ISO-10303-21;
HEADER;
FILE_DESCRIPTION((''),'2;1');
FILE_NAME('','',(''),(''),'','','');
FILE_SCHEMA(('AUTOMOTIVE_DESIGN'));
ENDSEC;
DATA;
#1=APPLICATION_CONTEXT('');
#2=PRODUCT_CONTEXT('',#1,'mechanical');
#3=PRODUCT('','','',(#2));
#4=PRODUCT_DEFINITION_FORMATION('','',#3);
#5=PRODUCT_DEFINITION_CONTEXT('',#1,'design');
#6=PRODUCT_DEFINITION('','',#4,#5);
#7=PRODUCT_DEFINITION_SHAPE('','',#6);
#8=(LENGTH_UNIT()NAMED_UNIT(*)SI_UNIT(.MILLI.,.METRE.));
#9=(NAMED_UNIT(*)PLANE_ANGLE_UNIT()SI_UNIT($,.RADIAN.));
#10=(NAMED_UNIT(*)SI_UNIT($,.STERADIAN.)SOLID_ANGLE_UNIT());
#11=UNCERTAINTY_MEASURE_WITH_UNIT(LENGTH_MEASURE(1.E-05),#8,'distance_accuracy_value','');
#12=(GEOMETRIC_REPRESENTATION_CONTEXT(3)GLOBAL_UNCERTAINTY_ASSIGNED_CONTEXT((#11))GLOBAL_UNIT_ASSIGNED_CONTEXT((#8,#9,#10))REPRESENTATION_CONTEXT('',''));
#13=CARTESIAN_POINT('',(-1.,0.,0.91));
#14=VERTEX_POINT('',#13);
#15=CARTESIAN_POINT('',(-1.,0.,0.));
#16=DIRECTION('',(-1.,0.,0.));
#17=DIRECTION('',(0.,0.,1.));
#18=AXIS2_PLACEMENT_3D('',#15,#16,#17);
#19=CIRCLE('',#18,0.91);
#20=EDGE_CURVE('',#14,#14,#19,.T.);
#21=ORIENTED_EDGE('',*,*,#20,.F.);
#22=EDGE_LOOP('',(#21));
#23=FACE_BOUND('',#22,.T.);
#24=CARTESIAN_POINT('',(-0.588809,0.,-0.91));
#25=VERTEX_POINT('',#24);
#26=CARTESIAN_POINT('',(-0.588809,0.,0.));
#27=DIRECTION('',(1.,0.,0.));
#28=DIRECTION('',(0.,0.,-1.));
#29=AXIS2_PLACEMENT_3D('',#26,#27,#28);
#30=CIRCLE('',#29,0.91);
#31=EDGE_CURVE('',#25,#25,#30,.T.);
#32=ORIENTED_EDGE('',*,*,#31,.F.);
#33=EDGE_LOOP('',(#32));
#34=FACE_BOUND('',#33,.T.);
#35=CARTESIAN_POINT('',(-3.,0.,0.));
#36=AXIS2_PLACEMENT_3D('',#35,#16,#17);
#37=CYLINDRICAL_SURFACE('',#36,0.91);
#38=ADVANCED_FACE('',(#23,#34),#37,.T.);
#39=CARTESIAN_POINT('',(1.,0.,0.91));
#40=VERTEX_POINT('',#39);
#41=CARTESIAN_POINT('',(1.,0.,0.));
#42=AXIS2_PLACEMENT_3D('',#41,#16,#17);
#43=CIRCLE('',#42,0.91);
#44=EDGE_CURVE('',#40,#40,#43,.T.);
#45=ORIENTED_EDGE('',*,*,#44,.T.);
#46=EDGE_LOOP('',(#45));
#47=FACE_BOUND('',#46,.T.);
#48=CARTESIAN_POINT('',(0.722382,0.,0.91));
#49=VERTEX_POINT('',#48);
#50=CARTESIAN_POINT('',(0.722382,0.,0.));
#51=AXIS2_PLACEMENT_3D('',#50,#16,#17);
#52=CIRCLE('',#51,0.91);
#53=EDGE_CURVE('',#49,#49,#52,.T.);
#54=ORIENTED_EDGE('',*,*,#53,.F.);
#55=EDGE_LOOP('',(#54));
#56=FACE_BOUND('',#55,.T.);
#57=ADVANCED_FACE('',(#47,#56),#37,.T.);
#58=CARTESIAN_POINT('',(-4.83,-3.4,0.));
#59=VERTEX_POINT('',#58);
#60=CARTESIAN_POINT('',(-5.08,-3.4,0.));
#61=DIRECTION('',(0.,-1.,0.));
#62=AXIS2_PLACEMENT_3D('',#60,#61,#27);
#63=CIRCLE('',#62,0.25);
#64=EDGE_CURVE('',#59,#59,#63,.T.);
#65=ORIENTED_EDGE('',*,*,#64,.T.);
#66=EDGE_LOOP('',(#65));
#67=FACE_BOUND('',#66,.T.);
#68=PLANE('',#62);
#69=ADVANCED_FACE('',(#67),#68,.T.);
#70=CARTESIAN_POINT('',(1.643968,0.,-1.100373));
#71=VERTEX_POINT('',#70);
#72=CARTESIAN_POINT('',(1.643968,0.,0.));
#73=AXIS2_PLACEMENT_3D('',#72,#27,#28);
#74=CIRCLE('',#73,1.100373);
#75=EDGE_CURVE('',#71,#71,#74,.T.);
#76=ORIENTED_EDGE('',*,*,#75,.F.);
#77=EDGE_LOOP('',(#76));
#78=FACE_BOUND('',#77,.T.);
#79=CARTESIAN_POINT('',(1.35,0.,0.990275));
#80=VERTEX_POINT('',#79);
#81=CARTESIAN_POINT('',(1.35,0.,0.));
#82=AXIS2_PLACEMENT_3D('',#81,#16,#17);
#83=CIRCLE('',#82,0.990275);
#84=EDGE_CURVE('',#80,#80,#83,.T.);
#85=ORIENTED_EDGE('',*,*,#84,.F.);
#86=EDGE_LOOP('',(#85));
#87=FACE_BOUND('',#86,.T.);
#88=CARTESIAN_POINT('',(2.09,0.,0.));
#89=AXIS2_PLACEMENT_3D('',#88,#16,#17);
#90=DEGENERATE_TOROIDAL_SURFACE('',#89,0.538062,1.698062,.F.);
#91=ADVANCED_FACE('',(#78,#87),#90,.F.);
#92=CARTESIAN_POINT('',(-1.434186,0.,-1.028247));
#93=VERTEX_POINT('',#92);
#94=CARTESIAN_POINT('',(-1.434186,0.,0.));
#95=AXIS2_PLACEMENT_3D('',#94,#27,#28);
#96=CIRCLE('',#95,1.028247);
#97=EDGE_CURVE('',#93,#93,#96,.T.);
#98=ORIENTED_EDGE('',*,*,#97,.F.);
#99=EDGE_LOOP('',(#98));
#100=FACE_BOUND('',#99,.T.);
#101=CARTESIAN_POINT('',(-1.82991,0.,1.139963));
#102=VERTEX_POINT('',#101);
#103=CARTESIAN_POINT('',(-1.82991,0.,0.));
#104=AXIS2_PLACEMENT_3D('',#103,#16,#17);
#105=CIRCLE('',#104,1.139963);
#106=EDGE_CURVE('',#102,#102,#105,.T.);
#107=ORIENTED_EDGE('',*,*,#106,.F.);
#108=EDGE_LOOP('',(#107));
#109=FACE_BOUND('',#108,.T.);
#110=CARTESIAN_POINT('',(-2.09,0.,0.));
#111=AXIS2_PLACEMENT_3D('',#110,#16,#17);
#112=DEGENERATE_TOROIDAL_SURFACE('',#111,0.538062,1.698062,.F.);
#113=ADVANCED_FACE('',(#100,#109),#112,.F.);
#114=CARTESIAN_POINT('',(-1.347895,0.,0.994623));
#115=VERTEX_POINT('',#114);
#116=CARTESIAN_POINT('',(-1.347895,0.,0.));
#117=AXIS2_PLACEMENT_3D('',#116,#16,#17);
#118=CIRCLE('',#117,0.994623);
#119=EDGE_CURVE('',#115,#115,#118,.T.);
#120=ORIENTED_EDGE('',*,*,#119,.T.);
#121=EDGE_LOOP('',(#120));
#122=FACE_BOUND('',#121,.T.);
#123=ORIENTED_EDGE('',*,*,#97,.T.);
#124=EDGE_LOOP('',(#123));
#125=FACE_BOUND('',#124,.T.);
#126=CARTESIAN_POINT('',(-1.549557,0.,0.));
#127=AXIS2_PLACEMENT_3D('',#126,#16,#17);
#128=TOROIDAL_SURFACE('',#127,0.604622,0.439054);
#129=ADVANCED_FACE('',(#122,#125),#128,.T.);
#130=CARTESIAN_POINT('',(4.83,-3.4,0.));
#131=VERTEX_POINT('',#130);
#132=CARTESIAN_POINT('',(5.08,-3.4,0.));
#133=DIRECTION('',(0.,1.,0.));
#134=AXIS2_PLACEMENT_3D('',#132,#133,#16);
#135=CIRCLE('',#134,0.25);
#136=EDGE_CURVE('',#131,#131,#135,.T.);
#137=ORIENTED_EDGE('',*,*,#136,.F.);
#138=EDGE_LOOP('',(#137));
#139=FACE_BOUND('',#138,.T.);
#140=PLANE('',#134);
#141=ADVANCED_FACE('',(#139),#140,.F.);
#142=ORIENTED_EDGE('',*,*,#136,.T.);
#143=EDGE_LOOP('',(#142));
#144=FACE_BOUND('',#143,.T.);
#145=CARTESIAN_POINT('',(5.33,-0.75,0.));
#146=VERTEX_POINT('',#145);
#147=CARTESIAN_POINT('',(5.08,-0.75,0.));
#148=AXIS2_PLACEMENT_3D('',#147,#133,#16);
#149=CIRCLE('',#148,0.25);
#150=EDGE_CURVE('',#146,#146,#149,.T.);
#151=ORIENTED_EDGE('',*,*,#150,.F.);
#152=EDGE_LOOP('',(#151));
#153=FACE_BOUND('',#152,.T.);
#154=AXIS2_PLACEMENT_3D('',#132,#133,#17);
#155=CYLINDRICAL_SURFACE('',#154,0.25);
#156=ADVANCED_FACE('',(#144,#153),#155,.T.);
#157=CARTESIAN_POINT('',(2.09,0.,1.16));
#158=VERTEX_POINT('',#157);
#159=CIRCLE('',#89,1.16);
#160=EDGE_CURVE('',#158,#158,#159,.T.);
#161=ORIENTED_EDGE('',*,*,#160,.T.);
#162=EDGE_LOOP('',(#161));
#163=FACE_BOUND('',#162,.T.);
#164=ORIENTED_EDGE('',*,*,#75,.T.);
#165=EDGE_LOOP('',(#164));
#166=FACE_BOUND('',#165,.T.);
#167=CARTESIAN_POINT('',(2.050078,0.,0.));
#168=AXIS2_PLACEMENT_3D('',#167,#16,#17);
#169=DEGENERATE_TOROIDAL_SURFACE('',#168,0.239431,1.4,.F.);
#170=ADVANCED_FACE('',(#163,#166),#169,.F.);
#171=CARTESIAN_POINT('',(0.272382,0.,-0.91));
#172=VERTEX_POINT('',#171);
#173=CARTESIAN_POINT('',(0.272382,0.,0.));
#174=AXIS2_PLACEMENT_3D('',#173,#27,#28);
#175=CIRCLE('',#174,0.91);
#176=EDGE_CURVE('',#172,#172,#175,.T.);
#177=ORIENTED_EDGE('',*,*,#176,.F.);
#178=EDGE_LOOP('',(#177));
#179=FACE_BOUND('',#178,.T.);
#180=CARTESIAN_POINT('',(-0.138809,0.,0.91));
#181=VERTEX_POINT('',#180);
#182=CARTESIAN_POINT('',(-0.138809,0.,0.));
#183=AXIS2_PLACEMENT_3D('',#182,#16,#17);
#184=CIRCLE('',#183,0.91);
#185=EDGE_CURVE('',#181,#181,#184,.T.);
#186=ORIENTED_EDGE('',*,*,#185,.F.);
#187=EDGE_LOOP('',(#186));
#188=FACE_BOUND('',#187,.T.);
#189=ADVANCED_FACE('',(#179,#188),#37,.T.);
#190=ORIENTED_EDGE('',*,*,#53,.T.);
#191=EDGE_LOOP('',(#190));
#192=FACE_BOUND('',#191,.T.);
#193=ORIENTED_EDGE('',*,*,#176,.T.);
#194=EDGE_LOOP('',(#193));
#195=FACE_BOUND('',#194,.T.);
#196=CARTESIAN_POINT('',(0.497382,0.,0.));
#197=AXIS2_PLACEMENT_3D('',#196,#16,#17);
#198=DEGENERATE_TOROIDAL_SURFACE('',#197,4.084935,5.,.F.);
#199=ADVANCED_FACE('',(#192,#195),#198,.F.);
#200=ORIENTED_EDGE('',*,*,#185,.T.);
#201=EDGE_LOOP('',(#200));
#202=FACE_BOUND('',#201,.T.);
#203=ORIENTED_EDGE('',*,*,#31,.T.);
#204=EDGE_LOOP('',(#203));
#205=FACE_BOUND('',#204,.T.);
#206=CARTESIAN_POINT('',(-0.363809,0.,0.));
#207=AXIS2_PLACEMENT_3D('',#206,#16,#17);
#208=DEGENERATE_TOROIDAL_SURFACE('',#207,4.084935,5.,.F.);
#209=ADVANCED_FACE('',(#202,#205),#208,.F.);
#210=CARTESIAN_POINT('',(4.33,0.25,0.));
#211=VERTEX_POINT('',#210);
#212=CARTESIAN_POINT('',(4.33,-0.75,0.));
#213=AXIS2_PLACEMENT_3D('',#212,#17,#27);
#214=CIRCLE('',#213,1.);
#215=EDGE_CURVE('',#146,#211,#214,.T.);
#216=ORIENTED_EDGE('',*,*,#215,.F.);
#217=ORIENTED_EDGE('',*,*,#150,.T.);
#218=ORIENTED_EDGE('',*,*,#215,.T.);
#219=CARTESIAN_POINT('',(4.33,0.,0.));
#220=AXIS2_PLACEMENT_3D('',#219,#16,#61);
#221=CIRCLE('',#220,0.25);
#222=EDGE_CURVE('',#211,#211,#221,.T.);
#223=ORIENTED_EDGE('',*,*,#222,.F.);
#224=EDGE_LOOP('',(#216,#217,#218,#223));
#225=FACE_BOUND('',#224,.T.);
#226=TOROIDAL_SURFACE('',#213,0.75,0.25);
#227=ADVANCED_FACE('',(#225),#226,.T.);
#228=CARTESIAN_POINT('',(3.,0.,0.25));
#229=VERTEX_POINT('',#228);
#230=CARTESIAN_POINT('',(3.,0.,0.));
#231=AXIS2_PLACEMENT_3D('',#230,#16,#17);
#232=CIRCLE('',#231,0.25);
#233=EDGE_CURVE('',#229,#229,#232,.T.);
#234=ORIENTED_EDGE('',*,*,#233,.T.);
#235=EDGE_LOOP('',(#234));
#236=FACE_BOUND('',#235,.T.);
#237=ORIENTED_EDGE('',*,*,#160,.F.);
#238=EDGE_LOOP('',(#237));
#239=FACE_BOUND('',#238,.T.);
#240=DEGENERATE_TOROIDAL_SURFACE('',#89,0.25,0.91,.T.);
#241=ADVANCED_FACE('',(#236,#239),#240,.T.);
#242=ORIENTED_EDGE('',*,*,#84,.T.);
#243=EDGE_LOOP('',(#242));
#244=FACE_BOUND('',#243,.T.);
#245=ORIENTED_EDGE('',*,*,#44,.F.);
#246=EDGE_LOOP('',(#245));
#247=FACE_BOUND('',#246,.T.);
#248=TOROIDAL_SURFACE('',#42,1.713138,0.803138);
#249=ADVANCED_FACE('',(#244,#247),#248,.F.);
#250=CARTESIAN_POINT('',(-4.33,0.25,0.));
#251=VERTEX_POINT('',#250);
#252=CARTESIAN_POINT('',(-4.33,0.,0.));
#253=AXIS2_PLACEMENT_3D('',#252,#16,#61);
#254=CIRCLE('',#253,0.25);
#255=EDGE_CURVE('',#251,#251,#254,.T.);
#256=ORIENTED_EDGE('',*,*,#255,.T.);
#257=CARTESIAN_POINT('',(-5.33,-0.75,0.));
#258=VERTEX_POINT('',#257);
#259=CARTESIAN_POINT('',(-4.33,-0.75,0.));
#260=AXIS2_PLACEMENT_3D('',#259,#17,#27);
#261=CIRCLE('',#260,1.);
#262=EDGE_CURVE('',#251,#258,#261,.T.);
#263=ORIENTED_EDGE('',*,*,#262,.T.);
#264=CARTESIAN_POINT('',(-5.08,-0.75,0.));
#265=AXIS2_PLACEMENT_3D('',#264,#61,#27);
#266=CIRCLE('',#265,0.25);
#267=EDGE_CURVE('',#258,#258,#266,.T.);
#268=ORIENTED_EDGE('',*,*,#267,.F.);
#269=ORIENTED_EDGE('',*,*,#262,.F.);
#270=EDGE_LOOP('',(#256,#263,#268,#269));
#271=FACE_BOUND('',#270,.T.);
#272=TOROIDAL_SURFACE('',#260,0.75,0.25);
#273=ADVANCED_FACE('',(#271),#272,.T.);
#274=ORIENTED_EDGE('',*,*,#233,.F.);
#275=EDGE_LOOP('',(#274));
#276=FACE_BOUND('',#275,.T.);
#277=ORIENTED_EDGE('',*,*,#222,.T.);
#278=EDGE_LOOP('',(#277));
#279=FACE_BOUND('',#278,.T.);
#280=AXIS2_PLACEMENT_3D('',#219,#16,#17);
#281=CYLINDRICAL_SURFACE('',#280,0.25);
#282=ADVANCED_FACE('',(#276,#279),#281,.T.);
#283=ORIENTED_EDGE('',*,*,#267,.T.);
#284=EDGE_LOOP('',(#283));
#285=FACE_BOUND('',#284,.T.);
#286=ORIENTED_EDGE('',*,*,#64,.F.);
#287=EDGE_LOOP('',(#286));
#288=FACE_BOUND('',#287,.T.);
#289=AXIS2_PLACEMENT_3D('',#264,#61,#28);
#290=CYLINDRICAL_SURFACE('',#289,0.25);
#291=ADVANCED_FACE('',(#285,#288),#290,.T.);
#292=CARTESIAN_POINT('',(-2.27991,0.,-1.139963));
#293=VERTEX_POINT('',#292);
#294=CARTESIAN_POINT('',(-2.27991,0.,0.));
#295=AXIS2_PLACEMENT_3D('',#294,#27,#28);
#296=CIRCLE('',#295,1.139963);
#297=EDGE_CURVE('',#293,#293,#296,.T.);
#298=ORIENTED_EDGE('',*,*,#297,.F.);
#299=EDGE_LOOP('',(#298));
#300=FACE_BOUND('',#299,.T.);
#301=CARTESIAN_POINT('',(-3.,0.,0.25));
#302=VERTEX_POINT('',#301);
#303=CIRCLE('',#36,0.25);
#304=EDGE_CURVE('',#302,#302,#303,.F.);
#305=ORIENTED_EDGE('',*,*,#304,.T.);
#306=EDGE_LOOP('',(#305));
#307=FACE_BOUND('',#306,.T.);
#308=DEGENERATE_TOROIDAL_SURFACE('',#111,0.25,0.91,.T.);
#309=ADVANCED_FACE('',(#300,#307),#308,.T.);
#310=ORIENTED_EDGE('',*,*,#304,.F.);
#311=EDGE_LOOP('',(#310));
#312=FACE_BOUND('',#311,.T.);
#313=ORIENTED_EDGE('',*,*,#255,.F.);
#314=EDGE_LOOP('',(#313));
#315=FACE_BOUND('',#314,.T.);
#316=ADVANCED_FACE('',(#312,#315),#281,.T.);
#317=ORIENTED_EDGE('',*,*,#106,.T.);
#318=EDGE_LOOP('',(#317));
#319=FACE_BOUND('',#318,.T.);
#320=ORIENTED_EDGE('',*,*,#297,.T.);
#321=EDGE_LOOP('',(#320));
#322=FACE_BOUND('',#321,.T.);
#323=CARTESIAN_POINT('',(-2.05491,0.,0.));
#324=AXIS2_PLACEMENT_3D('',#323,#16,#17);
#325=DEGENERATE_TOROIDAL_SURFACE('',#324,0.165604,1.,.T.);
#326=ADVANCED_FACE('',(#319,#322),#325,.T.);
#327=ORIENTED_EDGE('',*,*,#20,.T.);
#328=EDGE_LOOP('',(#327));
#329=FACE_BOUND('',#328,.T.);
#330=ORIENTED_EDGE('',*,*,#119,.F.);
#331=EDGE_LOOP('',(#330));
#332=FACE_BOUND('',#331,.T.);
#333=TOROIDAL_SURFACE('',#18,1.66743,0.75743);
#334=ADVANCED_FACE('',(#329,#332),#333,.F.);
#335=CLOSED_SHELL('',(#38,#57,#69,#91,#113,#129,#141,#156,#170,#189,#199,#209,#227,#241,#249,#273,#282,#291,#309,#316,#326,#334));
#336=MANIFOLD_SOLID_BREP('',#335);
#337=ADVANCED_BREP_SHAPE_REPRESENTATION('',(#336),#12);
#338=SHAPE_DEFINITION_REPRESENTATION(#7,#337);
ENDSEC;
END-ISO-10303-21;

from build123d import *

# Parameters (mm, degrees)
SKETCH2_R = 0.25


with BuildPart() as part:
    # Sweep1: sweep along a path in Sketch1
    with BuildLine(Plane.XY) as sweep1_path:
        Line((-5.08, -3.4), (-5.08, -0.75))
        ThreePointArc((-5.08, -0.75), (-4.860330086, -0.219669914), (-4.33, 0))
        Line((-4.33, 0), (4.33, 0))
        ThreePointArc((4.33, 0), (4.860330086, -0.219669914), (5.08, -0.75))
        Line((5.08, -0.75), (5.08, -3.4))
    # Sketch2 → Sweep1 (sweep)
    with BuildSketch(Plane(origin=(-5.08, -3.4, 0), x_dir=(-1, 0, 0), z_dir=(0, -1, 0))):
        Circle(SKETCH2_R)
    sweep(path=sweep1_path.line)

    # Sketch3 → Revolve1 (revolve)
    with BuildSketch(Plane.XY, mode=Mode.PRIVATE) as revolve1_sk:
        with BuildLine():
            Line((-3, 0.25), (-3, 0))
            Line((-3, 0), (3, 0))
            Line((3, 0), (3, 0.25))
            ThreePointArc((3, 0.25), (2.733467171, 0.893467171), (2.09, 1.16))
            ThreePointArc((2.09, 1.16), (1.710392802, 1.117024996), (1.35, 0.990275229))
            ThreePointArc((1.35, 0.990275229), (1.179543945, 0.930326015), (1, 0.91))
            Line((1, 0.91), (-1, 0.91))
            ThreePointArc((-1, 0.91), (-1.179543945, 0.930326015), (-1.35, 0.990275229))
            ThreePointArc((-1.35, 0.990275229), (-1.710392802, 1.117024996), (-2.09, 1.16))
            ThreePointArc((-2.09, 1.16), (-2.733467171, 0.893467171), (-3, 0.25))
        make_face()
    revolve(revolve1_sk.sketch.rotate(Axis((-3, 0, 0), (1, 0, 0)), 90), axis=Axis((-3, 0, 0), (1, 0, 0)))

    # Sketch5 → Revolve2 (revolve)
    with BuildSketch(Plane.XY, mode=Mode.PRIVATE) as revolve2_sk:
        with BuildLine():
            ThreePointArc((2.09, 1.16), (1.864572551, 1.14822478), (1.643967886, 1.100373215))
            ThreePointArc((1.643967886, 1.100373215), (1.865, 1.145027293), (2.09, 1.16))
        make_face()
        with BuildLine():
            ThreePointArc((0.722381779, 0.91), (0.497381779, 0.915065065), (0.272381779, 0.91))
            Line((0.272381779, 0.91), (0.722381779, 0.91))
        make_face()
        with BuildLine():
            ThreePointArc((-0.138809111, 0.91), (-0.363809111, 0.915065065), (-0.588809111, 0.91))
            Line((-0.588809111, 0.91), (-0.138809111, 0.91))
        make_face()
        with BuildLine():
            ThreePointArc((-2.09, 1.16), (-1.959569758, 1.154983337), (-1.829910188, 1.139962988))
            ThreePointArc((-1.829910188, 1.139962988), (-2.054910188, 1.165604225), (-2.279910188, 1.139962988))
            ThreePointArc((-2.279910188, 1.139962988), (-2.185482147, 1.154976883), (-2.09, 1.16))
        make_face()
        with BuildLine():
            ThreePointArc((-1.35, 0.990275229), (-1.179543945, 0.930326015), (-1, 0.91))
            ThreePointArc((-1, 0.91), (-1.179019479, 0.931459747), (-1.34789488, 0.994622978))
            ThreePointArc((-1.34789488, 0.994622978), (-1.390151551, 1.013716419), (-1.434186266, 1.028246719))
            ThreePointArc((-1.434186266, 1.028246719), (-1.391834938, 1.009833416), (-1.35, 0.990275229))
        make_face()
    revolve(revolve2_sk.sketch.rotate(Axis((-3, 0, 0), (1, 0, 0)), 90), axis=Axis((-3, 0, 0), (1, 0, 0)))


solid = part.part
